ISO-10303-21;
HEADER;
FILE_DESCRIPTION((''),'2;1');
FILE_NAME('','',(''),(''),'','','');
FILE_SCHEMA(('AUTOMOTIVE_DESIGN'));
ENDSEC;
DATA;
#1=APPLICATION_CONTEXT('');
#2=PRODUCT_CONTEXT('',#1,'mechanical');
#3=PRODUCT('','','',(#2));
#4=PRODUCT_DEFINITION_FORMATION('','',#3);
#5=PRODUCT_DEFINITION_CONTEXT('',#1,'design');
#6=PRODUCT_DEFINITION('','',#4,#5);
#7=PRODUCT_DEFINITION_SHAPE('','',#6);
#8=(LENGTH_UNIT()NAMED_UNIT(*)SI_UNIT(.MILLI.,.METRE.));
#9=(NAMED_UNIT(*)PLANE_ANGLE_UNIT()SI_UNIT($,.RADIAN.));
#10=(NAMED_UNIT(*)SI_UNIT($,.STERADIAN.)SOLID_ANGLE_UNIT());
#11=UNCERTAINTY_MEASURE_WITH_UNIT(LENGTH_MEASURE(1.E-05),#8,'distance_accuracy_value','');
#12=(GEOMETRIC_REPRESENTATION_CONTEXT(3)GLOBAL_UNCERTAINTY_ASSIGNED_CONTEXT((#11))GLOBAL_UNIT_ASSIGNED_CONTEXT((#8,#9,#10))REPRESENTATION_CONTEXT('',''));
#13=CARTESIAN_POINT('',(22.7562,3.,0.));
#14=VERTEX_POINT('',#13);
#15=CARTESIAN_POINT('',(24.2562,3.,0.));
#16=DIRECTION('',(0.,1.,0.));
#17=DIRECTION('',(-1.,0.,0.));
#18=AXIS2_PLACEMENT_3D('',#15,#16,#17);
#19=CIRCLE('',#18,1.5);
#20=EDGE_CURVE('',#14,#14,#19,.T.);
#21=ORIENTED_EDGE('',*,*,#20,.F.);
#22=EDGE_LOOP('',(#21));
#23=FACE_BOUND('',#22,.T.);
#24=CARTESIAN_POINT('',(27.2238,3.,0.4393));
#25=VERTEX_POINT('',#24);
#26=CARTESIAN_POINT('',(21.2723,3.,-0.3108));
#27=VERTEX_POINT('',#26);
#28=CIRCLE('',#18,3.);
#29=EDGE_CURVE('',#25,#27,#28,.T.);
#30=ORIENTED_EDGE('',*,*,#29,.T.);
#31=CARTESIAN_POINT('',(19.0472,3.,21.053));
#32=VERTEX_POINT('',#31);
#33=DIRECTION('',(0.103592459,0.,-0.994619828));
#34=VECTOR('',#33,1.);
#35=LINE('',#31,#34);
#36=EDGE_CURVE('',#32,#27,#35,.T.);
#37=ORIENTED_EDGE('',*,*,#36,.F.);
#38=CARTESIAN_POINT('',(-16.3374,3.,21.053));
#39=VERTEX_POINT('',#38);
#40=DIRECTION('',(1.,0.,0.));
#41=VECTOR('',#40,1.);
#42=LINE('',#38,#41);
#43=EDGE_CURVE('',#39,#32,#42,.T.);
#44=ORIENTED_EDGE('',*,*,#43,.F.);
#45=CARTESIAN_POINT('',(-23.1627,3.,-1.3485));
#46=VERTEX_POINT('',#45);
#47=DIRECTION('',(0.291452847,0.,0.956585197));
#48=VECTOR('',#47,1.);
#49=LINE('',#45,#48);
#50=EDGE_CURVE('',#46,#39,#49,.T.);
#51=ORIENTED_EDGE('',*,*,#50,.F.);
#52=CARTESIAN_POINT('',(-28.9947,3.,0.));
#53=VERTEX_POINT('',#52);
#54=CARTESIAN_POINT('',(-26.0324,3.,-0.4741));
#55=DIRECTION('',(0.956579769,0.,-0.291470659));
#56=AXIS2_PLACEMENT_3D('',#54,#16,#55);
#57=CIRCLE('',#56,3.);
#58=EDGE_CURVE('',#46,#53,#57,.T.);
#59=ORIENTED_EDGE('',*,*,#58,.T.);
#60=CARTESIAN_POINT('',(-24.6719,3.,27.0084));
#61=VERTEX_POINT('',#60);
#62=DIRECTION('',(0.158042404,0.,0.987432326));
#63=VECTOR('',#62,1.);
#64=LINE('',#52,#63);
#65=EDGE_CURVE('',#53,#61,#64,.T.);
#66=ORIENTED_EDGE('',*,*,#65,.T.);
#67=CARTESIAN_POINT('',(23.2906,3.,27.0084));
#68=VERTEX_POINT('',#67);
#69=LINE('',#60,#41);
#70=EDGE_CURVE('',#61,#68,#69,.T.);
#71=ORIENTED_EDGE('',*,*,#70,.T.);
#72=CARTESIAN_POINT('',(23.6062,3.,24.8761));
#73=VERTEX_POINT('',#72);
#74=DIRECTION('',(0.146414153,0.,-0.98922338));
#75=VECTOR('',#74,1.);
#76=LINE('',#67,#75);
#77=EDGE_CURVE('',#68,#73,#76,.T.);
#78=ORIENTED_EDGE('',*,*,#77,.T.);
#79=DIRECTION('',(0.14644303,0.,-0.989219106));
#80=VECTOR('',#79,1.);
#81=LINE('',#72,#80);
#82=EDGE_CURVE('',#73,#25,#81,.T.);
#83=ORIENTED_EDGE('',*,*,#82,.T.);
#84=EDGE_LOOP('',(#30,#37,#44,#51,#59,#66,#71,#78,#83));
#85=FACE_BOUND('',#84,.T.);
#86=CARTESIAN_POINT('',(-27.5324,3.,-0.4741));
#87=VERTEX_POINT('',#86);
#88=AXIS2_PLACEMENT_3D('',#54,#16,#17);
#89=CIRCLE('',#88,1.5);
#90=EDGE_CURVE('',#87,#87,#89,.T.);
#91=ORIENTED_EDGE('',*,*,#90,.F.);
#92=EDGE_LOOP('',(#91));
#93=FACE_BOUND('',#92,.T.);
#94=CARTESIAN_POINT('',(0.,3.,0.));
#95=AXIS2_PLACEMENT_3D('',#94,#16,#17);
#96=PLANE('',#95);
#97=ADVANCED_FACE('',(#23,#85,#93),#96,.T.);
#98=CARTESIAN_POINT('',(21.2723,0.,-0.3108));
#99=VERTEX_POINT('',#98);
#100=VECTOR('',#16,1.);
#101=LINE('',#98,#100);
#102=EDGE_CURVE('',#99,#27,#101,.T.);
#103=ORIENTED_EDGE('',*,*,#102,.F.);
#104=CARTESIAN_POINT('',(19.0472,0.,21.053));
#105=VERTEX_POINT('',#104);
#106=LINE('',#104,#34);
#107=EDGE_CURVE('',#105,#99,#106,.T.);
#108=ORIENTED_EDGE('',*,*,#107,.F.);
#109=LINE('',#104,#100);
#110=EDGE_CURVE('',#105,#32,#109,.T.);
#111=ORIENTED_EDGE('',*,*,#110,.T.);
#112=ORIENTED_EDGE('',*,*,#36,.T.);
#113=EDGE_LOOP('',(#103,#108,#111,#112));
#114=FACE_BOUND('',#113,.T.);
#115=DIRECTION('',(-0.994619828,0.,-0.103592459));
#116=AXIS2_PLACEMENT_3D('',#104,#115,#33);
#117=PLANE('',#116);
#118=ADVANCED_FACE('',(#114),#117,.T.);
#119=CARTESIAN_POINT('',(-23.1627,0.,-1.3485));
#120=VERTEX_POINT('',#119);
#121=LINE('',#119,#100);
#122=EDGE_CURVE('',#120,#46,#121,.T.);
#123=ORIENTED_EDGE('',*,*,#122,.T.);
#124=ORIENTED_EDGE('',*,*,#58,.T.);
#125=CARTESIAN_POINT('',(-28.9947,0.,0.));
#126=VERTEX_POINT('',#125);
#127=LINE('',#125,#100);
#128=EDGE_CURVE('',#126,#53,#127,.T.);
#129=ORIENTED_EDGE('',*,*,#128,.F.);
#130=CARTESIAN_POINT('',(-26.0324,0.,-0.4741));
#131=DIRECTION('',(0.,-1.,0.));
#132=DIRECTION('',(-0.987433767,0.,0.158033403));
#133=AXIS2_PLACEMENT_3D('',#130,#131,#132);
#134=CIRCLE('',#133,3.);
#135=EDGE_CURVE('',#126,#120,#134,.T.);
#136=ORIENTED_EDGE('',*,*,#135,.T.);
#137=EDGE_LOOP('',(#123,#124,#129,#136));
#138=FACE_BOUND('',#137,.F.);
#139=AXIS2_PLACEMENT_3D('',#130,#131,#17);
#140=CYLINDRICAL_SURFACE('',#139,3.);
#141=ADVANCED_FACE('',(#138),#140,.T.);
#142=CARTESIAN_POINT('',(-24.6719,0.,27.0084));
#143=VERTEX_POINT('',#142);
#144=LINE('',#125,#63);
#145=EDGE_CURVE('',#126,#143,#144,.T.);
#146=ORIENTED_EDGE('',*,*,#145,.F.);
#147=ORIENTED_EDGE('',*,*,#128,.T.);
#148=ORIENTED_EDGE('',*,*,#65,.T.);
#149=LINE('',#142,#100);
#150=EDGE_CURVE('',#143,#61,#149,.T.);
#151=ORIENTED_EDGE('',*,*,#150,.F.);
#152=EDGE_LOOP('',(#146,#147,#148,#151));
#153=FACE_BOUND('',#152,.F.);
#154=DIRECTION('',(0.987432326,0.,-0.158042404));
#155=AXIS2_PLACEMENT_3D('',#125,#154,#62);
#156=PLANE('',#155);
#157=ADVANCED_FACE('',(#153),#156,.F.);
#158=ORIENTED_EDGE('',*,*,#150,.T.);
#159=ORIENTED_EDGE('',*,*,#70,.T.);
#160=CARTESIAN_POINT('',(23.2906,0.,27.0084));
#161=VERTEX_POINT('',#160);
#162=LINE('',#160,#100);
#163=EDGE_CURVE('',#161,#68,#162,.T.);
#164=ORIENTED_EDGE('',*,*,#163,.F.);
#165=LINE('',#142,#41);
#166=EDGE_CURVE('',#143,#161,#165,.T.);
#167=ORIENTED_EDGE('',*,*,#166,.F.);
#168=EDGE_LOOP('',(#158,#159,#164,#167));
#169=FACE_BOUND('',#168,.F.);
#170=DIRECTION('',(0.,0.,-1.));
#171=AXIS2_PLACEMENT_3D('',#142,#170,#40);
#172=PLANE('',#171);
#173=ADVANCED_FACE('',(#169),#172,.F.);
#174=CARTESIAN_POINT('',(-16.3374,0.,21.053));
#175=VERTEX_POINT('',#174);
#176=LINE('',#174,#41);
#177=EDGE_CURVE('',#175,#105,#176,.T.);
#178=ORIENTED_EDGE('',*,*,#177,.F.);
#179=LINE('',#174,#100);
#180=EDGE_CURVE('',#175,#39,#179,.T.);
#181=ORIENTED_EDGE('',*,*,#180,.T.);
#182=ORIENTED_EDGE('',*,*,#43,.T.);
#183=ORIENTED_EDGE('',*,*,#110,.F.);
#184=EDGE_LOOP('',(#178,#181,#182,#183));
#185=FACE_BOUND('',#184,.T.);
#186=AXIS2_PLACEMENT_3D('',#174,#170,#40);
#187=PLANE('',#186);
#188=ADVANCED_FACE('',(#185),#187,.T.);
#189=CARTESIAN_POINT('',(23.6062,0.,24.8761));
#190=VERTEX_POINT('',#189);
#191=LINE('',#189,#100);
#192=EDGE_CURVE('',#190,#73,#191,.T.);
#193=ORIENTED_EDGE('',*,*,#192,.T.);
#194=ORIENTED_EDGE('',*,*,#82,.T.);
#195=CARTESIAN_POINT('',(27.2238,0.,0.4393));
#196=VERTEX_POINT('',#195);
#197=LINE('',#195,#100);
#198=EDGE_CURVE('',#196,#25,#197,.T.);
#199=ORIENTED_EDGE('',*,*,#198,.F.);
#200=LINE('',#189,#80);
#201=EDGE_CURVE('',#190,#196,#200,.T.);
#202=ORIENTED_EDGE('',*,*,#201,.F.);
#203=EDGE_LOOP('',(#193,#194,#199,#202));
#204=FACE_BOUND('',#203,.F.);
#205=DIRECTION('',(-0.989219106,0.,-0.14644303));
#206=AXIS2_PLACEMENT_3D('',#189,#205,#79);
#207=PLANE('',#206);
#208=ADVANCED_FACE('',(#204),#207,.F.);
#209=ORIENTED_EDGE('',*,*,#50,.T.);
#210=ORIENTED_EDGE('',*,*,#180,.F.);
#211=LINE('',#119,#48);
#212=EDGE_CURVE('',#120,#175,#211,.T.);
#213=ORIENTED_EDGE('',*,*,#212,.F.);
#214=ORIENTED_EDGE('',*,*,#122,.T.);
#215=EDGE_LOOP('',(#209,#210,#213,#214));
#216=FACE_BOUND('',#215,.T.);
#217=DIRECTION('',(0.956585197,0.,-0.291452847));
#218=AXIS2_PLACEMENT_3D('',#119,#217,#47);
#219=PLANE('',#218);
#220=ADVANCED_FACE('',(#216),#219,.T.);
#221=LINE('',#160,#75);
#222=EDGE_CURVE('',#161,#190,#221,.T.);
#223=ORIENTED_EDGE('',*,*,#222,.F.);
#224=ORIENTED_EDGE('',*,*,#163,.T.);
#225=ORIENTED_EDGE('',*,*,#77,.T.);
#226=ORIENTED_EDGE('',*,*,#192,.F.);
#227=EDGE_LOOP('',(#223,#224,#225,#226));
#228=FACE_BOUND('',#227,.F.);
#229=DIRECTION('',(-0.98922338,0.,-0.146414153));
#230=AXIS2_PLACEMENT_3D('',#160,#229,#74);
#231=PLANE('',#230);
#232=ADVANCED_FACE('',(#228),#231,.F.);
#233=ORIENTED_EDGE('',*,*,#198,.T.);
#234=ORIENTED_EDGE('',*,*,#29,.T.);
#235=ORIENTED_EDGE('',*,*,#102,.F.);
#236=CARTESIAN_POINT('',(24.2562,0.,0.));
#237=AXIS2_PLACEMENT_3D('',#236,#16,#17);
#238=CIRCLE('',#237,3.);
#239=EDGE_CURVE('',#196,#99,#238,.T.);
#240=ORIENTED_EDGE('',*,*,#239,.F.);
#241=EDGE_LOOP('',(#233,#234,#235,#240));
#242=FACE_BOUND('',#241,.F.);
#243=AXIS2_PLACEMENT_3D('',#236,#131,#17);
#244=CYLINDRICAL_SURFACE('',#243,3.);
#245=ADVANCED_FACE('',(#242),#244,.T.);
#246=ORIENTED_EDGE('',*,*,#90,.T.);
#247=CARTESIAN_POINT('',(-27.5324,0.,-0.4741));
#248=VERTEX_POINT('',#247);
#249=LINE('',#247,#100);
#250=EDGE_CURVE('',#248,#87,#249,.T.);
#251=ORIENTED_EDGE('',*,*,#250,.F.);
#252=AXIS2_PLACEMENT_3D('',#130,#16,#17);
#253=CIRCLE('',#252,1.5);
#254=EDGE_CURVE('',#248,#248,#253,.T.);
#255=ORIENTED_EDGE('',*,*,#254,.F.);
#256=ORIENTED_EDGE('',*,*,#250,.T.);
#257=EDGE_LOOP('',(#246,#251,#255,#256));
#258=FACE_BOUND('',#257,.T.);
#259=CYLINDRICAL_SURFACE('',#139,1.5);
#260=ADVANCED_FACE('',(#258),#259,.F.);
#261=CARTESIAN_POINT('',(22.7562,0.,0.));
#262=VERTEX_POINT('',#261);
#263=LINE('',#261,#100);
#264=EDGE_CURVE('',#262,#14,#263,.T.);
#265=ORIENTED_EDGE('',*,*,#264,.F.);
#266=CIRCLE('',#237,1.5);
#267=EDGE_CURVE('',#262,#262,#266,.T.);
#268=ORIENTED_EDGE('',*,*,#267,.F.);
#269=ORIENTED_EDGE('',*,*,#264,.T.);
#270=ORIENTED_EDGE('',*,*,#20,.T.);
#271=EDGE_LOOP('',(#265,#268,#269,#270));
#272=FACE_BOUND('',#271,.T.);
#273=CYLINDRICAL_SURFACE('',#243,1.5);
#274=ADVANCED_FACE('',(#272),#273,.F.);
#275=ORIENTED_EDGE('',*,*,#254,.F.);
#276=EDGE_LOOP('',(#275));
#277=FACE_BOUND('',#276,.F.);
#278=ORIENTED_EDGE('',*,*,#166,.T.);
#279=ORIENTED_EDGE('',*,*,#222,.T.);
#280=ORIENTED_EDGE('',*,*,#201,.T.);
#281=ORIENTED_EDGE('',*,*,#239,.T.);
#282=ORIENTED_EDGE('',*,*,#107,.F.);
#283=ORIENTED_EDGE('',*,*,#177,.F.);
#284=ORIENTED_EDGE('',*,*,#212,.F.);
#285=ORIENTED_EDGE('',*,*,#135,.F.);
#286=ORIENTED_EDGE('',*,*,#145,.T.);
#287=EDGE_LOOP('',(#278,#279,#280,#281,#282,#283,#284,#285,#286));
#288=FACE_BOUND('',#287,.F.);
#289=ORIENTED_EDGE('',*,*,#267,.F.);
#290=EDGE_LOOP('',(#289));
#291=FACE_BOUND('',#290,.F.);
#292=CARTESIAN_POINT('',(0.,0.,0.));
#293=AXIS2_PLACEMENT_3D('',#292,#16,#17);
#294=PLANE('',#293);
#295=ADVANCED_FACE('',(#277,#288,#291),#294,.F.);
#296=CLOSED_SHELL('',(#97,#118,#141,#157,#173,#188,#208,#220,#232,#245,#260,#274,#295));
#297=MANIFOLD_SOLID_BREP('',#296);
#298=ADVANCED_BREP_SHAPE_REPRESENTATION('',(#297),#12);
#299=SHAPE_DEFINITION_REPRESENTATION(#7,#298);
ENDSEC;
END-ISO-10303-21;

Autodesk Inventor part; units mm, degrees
ref_plane "YZ Plane" through (0, 0, 0) normal (1, 0, 0) x (0, 1, 0)
ref_plane "XZ Plane" through (0, 0, 0) normal (0, 1, 0) x (-1, 0, 0)
ref_plane "XY Plane" through (0, 0, 0) normal (0, 0, 1) x (1, 0, 0)
sketch "Sketch1" plane through (0, 0, 0) normal (0, 1, 0) x (-1, 0, 0)
  circle A0 centre (26.0324, -0.4741) radius 1.5
  circle A1 centre (-24.2562, 0) radius 3
  circle A2 centre (-24.2562, 0) radius 1.5
  circle A3 centre (26.0324, -0.4741) radius 3
  line L0 (0, 0) -> (-28.1337, 0) construction
  line L1 (0, 0) -> (28.9947, 0) construction
  line L2 (28.9947, 0) -> (24.6719, 27.0084)
  line L3 (-23.6062, 24.8761) -> (-27.2238, 0.4393)
  line L4 (23.1627, -1.3485) -> (16.3374, 21.053)
  line L5 (16.3374, 21.053) -> (-19.0472, 21.053)
  line L6 (-19.0472, 21.053) -> (-21.2723, -0.3108)
  line L7 (24.6719, 27.0084) -> (-23.2906, 27.0084)
  line L8 (-23.2906, 27.0084) -> (-23.6062, 24.8761)
  dimension "d8" = 3
  dimension "d9" = 6
  dimension "d10" = 3
  dimension "d12" = 6
  dimension "d13" = 180
extrude "Extrusion1" add sketch "Sketch1" along normal blind 3
properties part number "barra_c"
